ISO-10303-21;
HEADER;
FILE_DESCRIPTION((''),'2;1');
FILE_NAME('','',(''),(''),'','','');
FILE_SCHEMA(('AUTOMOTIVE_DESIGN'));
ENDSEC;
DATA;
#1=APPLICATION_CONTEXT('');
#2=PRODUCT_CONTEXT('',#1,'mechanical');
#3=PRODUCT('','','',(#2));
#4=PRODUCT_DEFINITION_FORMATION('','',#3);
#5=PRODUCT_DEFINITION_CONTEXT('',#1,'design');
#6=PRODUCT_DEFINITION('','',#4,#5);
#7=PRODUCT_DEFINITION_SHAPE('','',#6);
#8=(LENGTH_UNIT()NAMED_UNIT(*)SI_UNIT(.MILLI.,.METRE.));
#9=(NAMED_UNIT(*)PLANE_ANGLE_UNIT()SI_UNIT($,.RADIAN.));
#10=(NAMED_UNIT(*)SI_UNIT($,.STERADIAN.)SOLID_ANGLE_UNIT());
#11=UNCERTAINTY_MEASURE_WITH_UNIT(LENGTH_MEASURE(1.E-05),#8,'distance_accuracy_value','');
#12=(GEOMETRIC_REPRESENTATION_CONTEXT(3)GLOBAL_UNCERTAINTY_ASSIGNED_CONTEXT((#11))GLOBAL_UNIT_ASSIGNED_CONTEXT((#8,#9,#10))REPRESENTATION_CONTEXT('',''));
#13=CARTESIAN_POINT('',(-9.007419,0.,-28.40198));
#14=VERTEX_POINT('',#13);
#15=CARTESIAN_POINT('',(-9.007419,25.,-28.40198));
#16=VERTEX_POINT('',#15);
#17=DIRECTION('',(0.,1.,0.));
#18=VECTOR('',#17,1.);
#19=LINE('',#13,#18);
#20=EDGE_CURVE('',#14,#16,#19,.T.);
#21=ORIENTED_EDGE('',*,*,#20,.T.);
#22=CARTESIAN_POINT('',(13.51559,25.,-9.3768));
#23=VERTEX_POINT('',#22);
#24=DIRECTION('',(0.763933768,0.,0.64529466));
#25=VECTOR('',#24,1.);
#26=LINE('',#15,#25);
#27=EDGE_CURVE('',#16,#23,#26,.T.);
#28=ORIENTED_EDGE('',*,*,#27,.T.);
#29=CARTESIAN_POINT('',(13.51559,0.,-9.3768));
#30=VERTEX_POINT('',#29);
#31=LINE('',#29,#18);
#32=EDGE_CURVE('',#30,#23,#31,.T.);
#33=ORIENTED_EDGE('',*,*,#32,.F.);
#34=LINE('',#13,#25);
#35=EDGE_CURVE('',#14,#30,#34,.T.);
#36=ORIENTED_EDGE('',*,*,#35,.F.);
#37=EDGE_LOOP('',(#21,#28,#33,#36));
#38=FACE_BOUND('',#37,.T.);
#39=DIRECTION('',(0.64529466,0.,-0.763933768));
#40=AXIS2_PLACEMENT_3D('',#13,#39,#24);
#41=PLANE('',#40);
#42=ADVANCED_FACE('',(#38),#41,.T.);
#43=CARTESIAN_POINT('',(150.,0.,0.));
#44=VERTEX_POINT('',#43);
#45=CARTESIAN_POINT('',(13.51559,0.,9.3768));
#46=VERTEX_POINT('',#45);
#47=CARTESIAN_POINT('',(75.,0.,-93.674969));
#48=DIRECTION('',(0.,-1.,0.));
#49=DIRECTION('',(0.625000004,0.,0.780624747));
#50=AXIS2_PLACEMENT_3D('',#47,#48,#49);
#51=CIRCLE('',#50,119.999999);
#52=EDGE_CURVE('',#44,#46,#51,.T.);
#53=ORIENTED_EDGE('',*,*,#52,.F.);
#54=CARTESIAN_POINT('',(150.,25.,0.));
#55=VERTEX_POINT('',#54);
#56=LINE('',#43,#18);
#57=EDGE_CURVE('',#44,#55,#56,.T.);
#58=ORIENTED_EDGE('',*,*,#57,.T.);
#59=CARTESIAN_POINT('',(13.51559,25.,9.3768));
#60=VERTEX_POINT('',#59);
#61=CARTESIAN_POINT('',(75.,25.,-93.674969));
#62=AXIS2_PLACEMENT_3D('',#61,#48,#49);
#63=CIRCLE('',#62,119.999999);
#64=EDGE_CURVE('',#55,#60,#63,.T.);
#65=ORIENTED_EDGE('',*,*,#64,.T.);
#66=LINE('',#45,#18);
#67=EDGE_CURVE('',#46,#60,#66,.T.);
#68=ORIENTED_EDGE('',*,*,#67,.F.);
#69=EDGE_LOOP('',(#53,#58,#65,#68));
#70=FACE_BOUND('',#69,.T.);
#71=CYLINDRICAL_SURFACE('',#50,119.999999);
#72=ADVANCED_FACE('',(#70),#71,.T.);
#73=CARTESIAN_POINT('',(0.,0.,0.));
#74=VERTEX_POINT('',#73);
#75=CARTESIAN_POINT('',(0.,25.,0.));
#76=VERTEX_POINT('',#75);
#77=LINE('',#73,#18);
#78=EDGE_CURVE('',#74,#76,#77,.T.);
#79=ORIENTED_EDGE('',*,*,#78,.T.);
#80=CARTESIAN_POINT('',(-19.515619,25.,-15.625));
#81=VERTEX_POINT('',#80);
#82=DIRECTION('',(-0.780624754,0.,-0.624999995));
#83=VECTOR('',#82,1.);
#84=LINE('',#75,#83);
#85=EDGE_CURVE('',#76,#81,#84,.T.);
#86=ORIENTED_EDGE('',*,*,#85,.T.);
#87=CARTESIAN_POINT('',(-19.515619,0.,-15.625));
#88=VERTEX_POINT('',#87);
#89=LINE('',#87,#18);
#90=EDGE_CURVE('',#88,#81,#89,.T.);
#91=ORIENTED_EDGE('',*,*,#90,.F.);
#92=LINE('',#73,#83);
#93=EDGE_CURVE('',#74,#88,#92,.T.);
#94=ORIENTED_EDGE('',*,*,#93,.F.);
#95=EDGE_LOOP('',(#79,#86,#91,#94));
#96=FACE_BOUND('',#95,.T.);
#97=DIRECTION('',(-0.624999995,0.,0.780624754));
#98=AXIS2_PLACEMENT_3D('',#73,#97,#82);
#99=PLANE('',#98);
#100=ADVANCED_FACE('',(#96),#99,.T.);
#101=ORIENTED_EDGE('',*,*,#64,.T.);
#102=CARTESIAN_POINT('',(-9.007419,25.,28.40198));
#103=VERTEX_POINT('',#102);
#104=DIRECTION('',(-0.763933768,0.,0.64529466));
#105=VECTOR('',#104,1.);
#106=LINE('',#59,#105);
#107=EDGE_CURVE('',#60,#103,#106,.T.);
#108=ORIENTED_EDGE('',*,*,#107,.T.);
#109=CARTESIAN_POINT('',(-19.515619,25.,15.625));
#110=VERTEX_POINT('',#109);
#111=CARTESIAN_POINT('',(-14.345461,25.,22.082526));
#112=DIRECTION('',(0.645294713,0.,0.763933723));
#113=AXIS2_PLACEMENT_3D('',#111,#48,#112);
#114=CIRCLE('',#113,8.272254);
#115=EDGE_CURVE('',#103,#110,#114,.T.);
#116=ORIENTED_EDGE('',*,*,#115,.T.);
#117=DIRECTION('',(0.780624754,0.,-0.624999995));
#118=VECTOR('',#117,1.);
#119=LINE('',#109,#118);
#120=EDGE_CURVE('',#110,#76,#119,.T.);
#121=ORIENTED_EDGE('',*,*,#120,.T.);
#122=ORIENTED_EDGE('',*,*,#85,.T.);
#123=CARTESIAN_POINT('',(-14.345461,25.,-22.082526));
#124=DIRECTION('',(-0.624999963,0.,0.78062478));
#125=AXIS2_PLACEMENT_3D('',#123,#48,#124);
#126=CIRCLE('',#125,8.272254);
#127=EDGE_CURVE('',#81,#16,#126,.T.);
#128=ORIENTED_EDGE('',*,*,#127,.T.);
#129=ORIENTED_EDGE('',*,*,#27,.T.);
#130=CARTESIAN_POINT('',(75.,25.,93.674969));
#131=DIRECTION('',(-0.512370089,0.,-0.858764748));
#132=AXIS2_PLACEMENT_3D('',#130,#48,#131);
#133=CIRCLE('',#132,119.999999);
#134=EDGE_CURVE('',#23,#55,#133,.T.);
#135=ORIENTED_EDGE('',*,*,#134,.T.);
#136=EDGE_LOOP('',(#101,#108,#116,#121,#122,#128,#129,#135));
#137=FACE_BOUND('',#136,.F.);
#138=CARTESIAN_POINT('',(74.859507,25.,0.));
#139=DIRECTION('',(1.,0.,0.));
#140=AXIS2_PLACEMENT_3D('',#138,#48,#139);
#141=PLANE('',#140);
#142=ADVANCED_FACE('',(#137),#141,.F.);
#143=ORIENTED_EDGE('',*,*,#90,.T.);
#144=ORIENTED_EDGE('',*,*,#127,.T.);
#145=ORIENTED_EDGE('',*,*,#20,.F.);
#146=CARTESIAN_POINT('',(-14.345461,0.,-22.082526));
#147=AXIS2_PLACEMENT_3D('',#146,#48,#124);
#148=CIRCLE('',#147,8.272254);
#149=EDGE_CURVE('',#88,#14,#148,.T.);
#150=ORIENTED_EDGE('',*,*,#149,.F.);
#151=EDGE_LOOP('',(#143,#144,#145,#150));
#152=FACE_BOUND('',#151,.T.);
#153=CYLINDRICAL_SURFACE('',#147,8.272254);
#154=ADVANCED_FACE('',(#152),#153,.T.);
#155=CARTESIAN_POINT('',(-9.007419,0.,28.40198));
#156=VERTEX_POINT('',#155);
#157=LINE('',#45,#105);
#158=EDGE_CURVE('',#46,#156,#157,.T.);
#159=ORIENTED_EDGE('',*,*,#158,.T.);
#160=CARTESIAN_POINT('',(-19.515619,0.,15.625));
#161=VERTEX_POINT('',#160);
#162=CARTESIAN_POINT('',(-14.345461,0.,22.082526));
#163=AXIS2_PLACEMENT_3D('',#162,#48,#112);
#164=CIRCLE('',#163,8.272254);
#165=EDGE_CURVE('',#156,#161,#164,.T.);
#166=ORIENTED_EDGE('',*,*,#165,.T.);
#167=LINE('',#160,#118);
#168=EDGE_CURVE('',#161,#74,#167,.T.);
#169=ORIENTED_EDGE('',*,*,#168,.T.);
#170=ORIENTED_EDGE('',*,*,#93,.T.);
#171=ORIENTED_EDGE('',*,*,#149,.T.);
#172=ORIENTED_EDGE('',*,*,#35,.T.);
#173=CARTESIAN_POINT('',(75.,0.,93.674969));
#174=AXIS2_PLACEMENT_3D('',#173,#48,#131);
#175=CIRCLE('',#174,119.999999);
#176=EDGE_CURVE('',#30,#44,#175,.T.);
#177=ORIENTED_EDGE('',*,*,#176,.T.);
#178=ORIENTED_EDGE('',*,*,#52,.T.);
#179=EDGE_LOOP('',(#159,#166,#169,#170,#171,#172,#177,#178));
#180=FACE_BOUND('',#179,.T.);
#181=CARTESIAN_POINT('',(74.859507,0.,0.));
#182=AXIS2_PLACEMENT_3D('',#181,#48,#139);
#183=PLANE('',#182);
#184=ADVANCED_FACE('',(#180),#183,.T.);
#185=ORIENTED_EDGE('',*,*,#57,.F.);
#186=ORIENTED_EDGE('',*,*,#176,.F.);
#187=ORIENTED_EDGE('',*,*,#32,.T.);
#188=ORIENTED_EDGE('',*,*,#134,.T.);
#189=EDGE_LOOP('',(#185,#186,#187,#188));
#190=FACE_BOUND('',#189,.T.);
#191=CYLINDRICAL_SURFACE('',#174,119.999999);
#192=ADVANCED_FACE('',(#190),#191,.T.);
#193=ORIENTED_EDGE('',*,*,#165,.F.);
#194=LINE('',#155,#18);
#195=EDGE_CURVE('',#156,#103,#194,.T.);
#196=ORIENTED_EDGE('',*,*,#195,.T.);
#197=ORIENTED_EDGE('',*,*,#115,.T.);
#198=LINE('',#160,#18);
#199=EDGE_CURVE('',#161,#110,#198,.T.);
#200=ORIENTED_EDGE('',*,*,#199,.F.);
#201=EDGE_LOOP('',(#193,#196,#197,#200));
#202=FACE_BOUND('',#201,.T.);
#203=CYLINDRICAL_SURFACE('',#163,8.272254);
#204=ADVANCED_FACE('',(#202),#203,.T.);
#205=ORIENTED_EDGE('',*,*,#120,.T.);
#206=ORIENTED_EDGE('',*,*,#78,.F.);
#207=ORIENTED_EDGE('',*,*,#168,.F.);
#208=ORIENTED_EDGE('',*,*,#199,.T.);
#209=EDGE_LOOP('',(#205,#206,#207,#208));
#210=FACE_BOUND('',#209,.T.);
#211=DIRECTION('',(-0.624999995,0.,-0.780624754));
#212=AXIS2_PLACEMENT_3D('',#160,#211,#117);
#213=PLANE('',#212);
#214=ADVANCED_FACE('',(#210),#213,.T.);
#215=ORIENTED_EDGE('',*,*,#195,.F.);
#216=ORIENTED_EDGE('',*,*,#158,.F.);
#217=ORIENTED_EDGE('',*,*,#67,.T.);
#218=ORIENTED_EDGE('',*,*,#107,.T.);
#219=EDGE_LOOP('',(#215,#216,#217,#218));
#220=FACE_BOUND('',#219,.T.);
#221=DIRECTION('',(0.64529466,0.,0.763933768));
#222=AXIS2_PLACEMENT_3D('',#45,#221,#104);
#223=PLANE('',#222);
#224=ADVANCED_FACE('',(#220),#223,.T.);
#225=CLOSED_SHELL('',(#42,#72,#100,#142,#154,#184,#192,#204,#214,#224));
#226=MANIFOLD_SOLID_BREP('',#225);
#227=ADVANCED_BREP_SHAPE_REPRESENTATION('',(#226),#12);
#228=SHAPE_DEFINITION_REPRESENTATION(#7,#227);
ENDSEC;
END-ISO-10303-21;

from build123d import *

# Parameters (mm, degrees)
F1_DEPTH = 25


with BuildPart() as f1:
    # F0 (on Front) → F1 (new body)
    with BuildSketch(Plane.XZ):
        with BuildLine():
            ThreePointArc((13.51559, -9.3768), (83.224894, -26.042828), (150, 0))
            ThreePointArc((150, 0), (83.224894, 26.042828), (13.51559, 9.3768))
            ThreePointArc((13.51559, 9.3768), (6.596932, 4.920265), (0, 0))
            ThreePointArc((0, 0), (6.596932, -4.920265), (13.51559, -9.3768))
        make_face()
        with BuildLine():
            ThreePointArc((0, 0), (6.596932, 4.920265), (13.51559, 9.3768))
            Line((13.51559, 9.3768), (-9.007419, 28.40198))
            ThreePointArc((-9.007419, 28.40198), (-20.734502, 27.33708), (-19.515619, 15.625))
            Line((-19.515619, 15.625), (0, 0))
        make_face()
        with BuildLine():
            Line((-9.007419, -28.40198), (13.51559, -9.3768))
            ThreePointArc((13.51559, -9.3768), (6.596932, -4.920265), (0, 0))
            Line((0, 0), (-19.515619, -15.625))
            ThreePointArc((-19.515619, -15.625), (-20.734502, -27.33708), (-9.007419, -28.40198))
        make_face()
    extrude(amount=-F1_DEPTH)


solid = f1.part
